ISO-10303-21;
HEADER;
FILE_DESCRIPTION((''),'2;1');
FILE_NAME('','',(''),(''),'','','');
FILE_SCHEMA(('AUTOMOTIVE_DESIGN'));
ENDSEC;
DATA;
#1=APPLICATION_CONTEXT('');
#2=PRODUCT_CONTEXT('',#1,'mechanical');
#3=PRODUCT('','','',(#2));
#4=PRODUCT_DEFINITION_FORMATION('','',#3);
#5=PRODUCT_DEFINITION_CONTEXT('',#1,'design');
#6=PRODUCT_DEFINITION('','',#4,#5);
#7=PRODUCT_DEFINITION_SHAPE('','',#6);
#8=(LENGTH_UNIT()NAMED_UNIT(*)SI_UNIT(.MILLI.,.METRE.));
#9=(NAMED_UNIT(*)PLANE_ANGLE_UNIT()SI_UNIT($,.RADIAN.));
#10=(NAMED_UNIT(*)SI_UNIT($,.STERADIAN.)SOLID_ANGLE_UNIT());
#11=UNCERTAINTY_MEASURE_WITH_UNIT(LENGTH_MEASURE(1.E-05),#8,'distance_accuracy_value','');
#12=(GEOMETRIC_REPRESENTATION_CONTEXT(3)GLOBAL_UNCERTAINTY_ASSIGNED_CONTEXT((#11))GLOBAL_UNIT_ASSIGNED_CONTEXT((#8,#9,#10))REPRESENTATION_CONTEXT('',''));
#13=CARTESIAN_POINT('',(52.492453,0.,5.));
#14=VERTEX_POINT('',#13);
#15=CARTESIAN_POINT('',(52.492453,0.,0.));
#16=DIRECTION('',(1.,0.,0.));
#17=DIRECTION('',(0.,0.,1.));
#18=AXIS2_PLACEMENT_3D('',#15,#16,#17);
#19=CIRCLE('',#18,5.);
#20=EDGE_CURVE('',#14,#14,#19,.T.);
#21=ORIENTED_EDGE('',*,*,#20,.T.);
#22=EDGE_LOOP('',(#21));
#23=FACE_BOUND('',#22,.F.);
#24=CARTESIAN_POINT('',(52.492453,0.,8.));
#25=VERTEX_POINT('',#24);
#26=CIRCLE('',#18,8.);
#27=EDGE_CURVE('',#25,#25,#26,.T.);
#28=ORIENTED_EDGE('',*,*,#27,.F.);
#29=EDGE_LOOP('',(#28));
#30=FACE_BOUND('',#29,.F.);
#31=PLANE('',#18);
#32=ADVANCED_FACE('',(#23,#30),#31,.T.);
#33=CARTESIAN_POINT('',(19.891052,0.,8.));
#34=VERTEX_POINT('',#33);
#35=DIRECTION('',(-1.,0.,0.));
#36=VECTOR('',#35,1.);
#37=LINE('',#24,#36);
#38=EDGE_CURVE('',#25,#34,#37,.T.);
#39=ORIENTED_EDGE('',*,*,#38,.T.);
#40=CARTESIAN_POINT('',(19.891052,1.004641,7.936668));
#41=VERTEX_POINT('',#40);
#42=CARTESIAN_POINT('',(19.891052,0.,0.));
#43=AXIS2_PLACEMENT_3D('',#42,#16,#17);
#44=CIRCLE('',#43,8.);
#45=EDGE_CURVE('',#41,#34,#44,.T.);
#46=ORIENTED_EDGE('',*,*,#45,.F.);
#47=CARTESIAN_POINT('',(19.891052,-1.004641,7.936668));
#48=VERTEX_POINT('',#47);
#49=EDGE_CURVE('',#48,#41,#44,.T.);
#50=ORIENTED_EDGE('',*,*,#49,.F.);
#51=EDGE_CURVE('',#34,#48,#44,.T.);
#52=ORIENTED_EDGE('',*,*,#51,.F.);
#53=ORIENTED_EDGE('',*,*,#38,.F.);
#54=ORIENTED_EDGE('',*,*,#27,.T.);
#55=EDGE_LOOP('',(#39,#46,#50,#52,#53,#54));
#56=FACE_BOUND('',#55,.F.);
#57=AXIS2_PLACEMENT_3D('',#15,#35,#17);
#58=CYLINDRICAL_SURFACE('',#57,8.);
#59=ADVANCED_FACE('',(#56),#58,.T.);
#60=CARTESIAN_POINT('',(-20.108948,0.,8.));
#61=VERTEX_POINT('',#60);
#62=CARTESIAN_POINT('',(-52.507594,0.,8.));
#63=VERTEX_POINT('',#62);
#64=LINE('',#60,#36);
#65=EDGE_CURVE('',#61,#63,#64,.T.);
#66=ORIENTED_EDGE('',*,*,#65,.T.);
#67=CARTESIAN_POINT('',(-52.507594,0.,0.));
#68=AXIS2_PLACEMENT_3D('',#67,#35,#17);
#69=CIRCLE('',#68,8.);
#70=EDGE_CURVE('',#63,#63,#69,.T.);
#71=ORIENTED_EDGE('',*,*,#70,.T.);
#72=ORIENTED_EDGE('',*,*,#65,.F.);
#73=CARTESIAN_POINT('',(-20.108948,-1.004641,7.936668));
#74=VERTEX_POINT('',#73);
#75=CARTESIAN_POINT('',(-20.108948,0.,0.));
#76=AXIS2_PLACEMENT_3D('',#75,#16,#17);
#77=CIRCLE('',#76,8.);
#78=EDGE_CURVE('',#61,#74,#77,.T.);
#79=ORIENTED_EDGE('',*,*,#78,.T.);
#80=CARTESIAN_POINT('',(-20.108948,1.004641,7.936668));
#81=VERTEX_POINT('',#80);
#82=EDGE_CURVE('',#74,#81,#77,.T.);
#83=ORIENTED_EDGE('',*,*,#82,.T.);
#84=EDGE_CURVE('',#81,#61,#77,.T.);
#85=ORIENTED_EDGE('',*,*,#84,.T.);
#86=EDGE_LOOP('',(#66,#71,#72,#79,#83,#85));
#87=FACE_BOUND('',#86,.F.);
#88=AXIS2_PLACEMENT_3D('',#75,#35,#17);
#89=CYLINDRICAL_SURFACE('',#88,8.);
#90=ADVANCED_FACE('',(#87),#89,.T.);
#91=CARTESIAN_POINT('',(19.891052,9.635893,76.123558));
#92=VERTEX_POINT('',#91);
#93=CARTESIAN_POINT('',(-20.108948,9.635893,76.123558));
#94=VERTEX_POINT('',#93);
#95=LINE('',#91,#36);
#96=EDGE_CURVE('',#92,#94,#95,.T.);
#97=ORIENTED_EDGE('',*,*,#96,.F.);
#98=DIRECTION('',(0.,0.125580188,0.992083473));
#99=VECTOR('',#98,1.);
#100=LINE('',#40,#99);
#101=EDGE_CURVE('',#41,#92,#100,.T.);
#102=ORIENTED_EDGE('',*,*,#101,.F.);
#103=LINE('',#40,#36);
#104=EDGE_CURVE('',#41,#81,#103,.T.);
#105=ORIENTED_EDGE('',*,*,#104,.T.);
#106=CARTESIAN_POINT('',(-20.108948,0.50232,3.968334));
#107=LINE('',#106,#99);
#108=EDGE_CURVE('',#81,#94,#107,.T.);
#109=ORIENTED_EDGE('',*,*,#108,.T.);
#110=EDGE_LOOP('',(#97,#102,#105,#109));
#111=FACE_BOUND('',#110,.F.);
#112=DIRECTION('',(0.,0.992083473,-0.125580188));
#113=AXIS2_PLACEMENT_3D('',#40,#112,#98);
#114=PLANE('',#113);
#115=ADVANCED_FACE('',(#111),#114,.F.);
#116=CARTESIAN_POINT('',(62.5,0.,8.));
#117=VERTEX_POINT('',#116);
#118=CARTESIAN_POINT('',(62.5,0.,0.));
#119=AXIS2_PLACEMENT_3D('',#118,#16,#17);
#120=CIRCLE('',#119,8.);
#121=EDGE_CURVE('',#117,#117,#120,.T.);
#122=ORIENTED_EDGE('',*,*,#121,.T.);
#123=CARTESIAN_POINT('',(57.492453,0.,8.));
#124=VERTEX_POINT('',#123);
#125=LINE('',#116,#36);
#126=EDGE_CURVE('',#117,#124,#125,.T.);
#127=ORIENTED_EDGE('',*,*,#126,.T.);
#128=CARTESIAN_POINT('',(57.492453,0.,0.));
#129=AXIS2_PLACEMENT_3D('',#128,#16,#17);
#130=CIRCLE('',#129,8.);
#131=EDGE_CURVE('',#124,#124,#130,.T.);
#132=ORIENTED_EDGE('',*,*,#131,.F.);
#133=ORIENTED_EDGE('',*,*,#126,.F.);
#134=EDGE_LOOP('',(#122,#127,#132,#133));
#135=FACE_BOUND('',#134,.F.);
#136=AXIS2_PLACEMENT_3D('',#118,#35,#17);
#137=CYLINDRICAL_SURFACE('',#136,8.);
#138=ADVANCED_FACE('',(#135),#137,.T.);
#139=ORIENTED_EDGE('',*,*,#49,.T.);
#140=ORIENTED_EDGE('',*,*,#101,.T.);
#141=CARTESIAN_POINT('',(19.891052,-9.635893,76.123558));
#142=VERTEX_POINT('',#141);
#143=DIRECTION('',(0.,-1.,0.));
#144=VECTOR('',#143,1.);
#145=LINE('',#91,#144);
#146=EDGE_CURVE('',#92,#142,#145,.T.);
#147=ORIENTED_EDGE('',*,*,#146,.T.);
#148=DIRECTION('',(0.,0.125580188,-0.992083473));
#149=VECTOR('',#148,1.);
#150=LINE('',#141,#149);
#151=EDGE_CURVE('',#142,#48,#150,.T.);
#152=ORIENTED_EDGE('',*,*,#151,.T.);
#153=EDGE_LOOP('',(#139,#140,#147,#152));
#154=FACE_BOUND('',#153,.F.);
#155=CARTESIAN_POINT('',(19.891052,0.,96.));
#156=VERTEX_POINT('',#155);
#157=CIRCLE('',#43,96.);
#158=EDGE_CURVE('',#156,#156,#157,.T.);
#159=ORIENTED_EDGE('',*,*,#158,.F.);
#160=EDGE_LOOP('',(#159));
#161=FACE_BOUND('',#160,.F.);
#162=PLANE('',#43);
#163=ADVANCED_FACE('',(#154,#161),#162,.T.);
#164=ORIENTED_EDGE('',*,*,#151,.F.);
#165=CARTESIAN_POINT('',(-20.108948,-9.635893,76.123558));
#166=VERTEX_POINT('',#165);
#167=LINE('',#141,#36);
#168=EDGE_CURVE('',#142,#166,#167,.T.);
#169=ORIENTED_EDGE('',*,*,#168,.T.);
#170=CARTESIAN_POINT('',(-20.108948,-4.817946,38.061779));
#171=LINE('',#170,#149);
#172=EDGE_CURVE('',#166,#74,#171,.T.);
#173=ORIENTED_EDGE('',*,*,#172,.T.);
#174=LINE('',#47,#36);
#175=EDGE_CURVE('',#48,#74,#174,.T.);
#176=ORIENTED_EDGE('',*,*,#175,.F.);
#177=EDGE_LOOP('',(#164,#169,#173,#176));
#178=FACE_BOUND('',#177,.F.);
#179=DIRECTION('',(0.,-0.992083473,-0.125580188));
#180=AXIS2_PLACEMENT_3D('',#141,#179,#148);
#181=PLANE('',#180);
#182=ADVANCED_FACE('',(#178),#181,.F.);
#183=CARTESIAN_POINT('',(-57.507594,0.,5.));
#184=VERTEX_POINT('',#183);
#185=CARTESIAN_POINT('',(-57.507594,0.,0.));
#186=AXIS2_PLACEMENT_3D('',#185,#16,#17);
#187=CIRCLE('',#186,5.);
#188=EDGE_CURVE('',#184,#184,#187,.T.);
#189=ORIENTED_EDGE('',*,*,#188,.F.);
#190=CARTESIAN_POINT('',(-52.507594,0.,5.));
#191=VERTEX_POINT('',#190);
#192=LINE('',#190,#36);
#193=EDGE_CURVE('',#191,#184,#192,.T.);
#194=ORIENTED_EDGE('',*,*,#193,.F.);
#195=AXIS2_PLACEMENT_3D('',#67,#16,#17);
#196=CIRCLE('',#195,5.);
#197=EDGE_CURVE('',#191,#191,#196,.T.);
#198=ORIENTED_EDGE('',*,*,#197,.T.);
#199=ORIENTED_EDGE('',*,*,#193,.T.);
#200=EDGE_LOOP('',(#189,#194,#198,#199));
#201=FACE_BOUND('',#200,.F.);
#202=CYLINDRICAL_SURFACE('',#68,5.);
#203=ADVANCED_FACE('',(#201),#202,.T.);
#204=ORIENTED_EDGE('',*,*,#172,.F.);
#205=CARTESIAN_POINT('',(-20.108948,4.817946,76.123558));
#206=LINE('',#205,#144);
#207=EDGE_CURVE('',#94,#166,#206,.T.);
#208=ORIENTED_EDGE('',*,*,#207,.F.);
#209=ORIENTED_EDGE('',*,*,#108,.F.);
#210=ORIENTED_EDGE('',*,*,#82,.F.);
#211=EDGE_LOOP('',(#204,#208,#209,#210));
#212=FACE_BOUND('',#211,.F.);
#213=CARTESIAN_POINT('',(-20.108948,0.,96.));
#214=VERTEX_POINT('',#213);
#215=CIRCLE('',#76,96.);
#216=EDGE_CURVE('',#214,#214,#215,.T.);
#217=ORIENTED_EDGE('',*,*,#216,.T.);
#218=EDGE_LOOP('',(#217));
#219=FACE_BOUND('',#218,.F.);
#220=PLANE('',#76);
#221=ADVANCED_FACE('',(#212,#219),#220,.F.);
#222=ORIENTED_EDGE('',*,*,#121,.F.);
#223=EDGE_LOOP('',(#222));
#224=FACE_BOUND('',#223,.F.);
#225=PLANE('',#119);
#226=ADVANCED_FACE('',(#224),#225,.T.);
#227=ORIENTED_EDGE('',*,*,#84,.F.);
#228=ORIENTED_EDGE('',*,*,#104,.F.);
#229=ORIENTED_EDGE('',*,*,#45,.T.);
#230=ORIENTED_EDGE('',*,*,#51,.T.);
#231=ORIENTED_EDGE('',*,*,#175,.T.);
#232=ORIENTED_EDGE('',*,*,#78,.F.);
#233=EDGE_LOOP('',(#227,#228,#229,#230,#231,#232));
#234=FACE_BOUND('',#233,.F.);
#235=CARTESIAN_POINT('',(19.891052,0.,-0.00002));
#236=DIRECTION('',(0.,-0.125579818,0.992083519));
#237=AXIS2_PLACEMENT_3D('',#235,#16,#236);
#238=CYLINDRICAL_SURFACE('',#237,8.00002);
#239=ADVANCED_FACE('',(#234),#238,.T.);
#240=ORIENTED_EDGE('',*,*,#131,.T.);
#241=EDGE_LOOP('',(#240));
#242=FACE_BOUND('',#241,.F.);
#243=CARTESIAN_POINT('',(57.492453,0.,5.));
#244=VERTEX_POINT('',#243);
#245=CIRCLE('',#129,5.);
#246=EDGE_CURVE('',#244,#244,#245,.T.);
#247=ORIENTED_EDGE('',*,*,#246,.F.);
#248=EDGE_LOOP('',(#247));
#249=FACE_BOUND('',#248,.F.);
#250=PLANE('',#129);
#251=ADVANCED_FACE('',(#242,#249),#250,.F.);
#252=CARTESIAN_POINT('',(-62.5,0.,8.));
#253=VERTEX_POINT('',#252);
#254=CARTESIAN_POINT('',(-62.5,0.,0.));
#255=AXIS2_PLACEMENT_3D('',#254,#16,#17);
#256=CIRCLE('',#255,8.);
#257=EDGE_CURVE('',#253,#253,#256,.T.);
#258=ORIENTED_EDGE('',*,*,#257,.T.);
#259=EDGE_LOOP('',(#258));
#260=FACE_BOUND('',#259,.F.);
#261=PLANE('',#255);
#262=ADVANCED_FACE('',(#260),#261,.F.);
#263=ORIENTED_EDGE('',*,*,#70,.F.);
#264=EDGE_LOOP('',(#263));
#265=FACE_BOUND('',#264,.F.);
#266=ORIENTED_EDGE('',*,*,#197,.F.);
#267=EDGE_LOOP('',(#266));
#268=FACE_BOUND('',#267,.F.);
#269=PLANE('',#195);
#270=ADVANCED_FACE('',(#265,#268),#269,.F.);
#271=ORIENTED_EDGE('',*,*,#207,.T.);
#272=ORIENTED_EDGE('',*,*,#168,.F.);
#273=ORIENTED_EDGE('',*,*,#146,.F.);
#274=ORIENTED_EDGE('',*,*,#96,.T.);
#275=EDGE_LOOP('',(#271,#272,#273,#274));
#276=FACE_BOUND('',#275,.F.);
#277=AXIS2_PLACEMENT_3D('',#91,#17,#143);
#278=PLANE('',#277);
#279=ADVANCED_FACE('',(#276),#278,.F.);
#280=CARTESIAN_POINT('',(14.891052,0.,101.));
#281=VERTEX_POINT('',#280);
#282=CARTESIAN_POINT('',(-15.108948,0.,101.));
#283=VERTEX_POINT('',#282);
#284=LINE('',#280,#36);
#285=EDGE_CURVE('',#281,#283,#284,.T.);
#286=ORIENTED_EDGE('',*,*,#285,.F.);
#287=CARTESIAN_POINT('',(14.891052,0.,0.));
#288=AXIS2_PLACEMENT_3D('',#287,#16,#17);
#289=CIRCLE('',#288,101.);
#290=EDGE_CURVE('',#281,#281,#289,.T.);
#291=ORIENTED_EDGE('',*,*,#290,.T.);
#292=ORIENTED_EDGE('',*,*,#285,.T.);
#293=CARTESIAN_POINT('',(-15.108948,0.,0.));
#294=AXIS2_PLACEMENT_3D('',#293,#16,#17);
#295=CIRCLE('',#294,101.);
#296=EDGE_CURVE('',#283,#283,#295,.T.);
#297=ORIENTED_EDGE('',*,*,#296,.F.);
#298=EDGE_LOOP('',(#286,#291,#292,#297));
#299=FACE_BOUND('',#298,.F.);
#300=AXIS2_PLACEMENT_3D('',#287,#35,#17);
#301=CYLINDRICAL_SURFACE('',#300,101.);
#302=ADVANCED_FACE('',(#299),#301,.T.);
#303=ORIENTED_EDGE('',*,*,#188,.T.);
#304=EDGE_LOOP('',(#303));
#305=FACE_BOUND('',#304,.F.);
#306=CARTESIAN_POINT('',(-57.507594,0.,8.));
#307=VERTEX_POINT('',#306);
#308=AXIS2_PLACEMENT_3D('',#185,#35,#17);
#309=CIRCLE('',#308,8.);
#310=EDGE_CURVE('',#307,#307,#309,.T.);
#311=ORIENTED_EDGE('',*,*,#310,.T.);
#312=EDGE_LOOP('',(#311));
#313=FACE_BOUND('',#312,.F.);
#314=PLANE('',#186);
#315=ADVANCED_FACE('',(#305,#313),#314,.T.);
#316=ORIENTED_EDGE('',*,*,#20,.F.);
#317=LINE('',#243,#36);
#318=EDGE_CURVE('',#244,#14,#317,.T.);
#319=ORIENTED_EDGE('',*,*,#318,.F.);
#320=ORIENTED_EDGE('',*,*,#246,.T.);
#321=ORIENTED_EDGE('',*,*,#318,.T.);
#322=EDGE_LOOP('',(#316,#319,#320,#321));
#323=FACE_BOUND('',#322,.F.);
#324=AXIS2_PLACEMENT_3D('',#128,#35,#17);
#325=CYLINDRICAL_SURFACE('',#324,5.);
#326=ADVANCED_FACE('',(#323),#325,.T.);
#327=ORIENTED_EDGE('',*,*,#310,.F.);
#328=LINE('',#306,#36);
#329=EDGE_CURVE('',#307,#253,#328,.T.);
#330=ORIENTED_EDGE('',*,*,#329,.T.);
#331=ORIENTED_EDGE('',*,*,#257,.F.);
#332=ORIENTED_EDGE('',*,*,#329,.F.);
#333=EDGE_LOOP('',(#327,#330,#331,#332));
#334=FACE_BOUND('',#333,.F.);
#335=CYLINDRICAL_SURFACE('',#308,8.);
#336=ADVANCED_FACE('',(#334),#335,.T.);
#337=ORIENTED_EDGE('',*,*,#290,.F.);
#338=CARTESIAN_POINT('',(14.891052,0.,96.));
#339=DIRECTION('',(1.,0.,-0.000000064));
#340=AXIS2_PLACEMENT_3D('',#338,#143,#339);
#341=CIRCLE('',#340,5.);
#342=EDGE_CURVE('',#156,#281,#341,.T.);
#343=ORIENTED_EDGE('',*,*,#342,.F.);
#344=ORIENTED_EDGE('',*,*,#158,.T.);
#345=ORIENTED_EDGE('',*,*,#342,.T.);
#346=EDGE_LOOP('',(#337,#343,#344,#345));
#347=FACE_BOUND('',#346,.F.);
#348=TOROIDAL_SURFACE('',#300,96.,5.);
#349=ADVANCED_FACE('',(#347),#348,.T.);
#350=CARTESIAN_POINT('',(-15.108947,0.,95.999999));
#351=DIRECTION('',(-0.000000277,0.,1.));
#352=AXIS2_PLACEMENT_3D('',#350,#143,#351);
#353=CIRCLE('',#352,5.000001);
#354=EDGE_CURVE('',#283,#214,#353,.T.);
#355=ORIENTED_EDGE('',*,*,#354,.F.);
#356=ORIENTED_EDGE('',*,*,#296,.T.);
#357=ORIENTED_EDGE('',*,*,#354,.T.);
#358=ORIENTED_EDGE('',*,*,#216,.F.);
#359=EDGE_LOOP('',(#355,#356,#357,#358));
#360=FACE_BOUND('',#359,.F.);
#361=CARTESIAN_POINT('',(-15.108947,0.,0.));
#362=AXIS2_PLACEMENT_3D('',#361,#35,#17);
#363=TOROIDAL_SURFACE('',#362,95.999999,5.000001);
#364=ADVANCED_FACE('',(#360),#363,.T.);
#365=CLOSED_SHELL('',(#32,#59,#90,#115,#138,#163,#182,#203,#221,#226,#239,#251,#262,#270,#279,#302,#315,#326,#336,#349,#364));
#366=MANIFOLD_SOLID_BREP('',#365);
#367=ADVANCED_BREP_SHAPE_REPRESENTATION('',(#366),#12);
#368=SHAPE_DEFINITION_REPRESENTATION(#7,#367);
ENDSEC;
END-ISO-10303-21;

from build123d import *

# Parameters (mm, degrees)
F3_DEPTH = 82.392052


with BuildPart() as f1:
    # F0 (on Front) → F1 (revolve)
    with BuildSketch(Plane.XZ):
        with BuildLine():
            Line((-57.507594, 8), (-62.5, 8))
            Line((-62.5, 8), (-62.5, 0))
            Line((-62.5, 0), (-20.108948, 0))
            Line((-20.108948, 0), (19.891052, 0))
            Line((19.891052, 0), (62.5, 0))
            Line((62.5, 0), (62.5, 8))
            Line((62.5, 8), (57.492453, 8))
            Line((57.492453, 8), (57.492453, 5))
            Line((57.492453, 5), (52.492453, 5))
            Line((52.492453, 5), (52.492453, 8))
            Line((52.492453, 8), (19.891052, 8))
            Line((19.891052, 8), (19.891052, 96))
            ThreePointArc((19.891052, 96), (18.426586, 99.535534), (14.891052, 101))
            Line((14.891052, 101), (-15.108948, 101))
            ThreePointArc((-15.108948, 101), (-18.644481, 99.535534), (-20.108948, 96))
            Line((-20.108948, 96), (-20.108948, 8))
            Line((-20.108948, 8), (-52.507594, 8))
            Line((-52.507594, 8), (-52.507594, 5))
            Line((-52.507594, 5), (-57.507594, 5))
            Line((-57.507594, 5), (-57.507594, 8))
        make_face()
    revolve(axis=Axis((-6.764503, 0, 0), (1, 0, 0)))

    # F2 (on face) → F3 (cut, through all)
    with BuildSketch(Plane.YZ.offset(19.891052)):
        with BuildLine():
            Line((-9.635893, 76.123558), (-1.004641, 7.936668))
            ThreePointArc((-1.004641, 7.936668), (0, 8), (1.004641, 7.936668))
            Line((1.004641, 7.936668), (9.635893, 76.123558))
            Line((9.635893, 76.123558), (0, 76.123558))
            Line((0, 76.123558), (-9.635893, 76.123558))
        make_face()
    extrude(amount=-F3_DEPTH, mode=Mode.SUBTRACT)


solid = f1.part
